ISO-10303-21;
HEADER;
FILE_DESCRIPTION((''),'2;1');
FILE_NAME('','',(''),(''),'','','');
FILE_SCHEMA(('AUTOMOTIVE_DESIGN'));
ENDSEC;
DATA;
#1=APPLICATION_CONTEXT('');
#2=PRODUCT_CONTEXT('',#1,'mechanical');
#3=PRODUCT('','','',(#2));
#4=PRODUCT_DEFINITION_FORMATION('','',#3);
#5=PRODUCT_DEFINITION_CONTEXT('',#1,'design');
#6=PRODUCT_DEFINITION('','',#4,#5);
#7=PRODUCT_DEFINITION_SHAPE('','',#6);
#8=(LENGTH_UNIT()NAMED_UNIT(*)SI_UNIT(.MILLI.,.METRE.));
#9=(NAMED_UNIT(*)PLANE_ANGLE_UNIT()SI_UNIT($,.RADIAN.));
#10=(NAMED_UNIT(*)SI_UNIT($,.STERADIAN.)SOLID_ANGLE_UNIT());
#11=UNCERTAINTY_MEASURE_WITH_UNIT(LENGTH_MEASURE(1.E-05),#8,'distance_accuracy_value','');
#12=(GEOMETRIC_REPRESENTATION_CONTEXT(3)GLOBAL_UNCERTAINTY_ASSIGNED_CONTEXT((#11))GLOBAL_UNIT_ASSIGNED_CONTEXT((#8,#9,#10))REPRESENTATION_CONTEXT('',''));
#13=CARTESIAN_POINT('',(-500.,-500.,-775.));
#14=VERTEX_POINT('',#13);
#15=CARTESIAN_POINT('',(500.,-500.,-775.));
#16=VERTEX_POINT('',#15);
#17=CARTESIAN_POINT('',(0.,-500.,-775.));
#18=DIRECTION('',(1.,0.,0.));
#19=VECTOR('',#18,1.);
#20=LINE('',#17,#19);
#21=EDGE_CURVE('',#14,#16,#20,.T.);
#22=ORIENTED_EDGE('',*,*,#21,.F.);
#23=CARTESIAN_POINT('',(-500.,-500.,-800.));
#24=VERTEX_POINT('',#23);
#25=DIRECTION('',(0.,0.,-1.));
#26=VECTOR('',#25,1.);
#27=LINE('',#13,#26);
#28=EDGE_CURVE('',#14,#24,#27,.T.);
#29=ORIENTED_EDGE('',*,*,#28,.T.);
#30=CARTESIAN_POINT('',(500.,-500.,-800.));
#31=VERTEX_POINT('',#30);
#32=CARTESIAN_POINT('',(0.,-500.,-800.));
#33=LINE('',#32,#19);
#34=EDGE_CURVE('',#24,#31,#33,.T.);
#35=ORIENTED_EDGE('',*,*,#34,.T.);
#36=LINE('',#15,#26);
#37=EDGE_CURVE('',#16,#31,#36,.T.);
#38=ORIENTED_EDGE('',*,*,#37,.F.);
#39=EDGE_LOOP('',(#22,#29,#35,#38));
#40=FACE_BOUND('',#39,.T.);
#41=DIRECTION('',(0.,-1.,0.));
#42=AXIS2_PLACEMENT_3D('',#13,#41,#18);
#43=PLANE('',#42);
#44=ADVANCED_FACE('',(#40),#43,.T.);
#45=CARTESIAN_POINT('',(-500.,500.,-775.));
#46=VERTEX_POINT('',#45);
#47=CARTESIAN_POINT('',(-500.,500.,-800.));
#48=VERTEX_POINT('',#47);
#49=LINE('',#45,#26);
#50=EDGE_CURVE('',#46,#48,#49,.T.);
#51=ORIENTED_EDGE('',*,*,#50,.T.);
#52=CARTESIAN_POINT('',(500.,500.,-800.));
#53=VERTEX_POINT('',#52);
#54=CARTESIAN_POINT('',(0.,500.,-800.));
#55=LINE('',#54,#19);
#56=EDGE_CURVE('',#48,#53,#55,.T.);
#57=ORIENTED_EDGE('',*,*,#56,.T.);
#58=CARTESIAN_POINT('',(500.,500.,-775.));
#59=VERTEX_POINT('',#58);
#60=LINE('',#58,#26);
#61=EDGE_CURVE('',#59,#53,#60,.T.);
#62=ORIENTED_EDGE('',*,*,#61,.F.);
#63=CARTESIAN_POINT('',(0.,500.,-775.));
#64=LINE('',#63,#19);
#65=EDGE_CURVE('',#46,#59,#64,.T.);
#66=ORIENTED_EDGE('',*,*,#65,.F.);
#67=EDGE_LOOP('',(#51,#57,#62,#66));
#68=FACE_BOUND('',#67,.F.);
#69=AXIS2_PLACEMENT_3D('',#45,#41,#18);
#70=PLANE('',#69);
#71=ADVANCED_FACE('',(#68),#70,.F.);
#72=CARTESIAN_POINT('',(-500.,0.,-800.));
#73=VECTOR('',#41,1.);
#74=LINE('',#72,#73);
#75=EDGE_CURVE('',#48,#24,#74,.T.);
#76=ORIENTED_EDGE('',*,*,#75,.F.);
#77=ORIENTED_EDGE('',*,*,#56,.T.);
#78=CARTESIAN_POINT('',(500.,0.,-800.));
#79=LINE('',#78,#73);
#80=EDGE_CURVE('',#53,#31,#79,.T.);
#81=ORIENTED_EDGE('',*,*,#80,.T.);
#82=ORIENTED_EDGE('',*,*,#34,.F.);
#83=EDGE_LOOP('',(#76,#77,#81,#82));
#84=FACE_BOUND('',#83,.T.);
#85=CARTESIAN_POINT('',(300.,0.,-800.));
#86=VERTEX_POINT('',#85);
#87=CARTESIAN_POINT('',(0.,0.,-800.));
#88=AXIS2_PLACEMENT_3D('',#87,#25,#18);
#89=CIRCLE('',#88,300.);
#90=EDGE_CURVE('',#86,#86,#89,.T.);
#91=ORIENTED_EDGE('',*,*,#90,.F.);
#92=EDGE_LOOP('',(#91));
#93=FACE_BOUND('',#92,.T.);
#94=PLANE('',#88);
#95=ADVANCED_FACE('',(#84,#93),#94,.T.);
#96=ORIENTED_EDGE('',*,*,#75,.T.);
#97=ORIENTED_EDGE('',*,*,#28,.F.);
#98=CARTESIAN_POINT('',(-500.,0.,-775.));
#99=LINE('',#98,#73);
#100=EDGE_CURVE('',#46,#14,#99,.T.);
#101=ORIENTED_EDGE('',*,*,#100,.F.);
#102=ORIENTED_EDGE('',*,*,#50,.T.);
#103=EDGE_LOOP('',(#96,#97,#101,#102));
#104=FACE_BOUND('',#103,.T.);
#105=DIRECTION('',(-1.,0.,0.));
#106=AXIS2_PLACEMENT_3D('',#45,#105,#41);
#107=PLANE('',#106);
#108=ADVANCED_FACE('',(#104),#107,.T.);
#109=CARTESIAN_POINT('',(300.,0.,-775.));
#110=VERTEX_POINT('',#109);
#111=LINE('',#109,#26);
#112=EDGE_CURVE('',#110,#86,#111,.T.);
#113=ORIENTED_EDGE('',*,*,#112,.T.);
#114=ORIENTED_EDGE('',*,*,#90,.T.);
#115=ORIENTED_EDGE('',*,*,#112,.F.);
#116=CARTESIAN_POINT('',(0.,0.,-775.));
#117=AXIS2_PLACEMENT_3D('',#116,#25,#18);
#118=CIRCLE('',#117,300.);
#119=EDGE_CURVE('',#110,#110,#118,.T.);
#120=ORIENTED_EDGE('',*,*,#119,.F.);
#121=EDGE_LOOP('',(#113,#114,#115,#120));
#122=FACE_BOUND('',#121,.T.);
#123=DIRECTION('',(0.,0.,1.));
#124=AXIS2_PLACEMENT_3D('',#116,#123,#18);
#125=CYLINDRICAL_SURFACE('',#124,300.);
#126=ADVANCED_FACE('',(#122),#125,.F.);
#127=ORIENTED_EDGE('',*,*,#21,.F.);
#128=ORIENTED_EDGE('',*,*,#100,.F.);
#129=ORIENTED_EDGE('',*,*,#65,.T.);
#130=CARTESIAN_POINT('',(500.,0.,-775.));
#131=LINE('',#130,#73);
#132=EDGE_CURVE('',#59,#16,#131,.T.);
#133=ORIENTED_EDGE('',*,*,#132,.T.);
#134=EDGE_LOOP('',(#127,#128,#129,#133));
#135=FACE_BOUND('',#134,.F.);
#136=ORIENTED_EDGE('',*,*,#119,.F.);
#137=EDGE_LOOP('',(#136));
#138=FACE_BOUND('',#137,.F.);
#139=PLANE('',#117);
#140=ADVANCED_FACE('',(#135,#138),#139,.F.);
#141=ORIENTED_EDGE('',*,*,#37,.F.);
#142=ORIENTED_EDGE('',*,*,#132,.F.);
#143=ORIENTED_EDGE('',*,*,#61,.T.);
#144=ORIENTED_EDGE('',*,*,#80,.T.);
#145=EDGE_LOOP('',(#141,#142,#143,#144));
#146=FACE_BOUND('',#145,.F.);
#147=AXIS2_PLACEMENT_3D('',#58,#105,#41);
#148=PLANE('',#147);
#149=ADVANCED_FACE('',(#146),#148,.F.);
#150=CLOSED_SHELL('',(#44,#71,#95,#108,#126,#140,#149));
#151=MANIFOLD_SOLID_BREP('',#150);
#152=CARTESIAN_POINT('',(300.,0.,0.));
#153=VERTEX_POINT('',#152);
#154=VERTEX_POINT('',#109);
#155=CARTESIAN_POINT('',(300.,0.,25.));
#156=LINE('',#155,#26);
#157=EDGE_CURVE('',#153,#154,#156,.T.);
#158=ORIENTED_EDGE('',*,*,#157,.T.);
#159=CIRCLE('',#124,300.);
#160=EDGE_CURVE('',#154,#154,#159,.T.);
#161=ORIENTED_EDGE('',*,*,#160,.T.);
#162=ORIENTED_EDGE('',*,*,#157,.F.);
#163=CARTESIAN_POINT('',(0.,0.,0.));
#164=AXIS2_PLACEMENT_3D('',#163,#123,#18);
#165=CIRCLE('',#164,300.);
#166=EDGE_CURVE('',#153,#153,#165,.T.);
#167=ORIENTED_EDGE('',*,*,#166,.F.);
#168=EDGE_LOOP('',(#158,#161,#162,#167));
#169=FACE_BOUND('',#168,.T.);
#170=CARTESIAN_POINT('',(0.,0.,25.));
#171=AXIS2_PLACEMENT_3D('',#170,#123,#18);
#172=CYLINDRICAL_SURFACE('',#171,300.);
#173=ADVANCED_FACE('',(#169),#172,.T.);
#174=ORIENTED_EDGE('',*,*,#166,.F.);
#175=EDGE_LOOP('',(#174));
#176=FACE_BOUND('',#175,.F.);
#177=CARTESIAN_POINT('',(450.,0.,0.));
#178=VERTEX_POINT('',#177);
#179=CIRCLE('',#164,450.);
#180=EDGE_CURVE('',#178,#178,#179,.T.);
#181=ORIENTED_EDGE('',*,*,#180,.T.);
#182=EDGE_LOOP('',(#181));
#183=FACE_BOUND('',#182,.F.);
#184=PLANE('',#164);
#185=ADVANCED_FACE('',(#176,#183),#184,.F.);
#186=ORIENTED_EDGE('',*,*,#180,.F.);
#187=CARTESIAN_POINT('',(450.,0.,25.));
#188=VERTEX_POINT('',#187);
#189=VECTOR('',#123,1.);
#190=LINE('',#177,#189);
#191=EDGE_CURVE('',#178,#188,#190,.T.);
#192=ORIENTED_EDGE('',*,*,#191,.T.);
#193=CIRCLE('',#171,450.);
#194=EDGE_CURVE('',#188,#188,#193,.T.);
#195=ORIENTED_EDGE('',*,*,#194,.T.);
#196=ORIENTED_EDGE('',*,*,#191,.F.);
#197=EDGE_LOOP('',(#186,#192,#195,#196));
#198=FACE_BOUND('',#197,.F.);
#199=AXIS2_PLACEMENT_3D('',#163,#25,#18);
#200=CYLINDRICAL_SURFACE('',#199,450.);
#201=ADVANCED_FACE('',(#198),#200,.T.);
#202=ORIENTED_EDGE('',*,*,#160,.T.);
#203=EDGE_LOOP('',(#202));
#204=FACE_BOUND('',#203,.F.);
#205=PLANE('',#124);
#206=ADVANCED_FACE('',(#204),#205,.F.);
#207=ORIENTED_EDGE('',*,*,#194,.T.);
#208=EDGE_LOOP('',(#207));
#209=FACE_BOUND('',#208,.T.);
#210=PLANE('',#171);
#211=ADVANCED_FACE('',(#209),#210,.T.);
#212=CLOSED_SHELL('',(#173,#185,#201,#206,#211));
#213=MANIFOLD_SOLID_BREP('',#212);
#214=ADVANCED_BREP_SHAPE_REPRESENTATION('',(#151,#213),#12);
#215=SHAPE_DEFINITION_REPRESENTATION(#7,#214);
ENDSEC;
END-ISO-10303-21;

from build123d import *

# Parameters (mm, degrees)
F0_R     = 450
F1_DEPTH = 25
F2_R     = 300
F3_DEPTH = 800
F4_W     = 1000
F4_H     = 1000
F4_R     = 300
F5_DEPTH = 25


with BuildPart() as f1:
    # F0 (on Top) → F1 (new body)
    with BuildSketch(Plane.XY):
        Circle(F0_R)
    extrude(amount=F1_DEPTH)

    # F2 (on face) → F3 (join)
    with BuildSketch(Plane.XY.offset(25)):
        Circle(F2_R)
    extrude(amount=-F3_DEPTH)


with BuildPart() as f5:
    # F4 (on face) → F5 (new body)
    with BuildSketch(Plane(origin=(0, 0, -775), x_dir=(1, 0, 0), z_dir=(0, 0, -1))):
        Rectangle(F4_W, F4_H)
        Circle(F4_R, mode=Mode.SUBTRACT)
    extrude(amount=F5_DEPTH)


solid = Compound([f1.part, f5.part])
